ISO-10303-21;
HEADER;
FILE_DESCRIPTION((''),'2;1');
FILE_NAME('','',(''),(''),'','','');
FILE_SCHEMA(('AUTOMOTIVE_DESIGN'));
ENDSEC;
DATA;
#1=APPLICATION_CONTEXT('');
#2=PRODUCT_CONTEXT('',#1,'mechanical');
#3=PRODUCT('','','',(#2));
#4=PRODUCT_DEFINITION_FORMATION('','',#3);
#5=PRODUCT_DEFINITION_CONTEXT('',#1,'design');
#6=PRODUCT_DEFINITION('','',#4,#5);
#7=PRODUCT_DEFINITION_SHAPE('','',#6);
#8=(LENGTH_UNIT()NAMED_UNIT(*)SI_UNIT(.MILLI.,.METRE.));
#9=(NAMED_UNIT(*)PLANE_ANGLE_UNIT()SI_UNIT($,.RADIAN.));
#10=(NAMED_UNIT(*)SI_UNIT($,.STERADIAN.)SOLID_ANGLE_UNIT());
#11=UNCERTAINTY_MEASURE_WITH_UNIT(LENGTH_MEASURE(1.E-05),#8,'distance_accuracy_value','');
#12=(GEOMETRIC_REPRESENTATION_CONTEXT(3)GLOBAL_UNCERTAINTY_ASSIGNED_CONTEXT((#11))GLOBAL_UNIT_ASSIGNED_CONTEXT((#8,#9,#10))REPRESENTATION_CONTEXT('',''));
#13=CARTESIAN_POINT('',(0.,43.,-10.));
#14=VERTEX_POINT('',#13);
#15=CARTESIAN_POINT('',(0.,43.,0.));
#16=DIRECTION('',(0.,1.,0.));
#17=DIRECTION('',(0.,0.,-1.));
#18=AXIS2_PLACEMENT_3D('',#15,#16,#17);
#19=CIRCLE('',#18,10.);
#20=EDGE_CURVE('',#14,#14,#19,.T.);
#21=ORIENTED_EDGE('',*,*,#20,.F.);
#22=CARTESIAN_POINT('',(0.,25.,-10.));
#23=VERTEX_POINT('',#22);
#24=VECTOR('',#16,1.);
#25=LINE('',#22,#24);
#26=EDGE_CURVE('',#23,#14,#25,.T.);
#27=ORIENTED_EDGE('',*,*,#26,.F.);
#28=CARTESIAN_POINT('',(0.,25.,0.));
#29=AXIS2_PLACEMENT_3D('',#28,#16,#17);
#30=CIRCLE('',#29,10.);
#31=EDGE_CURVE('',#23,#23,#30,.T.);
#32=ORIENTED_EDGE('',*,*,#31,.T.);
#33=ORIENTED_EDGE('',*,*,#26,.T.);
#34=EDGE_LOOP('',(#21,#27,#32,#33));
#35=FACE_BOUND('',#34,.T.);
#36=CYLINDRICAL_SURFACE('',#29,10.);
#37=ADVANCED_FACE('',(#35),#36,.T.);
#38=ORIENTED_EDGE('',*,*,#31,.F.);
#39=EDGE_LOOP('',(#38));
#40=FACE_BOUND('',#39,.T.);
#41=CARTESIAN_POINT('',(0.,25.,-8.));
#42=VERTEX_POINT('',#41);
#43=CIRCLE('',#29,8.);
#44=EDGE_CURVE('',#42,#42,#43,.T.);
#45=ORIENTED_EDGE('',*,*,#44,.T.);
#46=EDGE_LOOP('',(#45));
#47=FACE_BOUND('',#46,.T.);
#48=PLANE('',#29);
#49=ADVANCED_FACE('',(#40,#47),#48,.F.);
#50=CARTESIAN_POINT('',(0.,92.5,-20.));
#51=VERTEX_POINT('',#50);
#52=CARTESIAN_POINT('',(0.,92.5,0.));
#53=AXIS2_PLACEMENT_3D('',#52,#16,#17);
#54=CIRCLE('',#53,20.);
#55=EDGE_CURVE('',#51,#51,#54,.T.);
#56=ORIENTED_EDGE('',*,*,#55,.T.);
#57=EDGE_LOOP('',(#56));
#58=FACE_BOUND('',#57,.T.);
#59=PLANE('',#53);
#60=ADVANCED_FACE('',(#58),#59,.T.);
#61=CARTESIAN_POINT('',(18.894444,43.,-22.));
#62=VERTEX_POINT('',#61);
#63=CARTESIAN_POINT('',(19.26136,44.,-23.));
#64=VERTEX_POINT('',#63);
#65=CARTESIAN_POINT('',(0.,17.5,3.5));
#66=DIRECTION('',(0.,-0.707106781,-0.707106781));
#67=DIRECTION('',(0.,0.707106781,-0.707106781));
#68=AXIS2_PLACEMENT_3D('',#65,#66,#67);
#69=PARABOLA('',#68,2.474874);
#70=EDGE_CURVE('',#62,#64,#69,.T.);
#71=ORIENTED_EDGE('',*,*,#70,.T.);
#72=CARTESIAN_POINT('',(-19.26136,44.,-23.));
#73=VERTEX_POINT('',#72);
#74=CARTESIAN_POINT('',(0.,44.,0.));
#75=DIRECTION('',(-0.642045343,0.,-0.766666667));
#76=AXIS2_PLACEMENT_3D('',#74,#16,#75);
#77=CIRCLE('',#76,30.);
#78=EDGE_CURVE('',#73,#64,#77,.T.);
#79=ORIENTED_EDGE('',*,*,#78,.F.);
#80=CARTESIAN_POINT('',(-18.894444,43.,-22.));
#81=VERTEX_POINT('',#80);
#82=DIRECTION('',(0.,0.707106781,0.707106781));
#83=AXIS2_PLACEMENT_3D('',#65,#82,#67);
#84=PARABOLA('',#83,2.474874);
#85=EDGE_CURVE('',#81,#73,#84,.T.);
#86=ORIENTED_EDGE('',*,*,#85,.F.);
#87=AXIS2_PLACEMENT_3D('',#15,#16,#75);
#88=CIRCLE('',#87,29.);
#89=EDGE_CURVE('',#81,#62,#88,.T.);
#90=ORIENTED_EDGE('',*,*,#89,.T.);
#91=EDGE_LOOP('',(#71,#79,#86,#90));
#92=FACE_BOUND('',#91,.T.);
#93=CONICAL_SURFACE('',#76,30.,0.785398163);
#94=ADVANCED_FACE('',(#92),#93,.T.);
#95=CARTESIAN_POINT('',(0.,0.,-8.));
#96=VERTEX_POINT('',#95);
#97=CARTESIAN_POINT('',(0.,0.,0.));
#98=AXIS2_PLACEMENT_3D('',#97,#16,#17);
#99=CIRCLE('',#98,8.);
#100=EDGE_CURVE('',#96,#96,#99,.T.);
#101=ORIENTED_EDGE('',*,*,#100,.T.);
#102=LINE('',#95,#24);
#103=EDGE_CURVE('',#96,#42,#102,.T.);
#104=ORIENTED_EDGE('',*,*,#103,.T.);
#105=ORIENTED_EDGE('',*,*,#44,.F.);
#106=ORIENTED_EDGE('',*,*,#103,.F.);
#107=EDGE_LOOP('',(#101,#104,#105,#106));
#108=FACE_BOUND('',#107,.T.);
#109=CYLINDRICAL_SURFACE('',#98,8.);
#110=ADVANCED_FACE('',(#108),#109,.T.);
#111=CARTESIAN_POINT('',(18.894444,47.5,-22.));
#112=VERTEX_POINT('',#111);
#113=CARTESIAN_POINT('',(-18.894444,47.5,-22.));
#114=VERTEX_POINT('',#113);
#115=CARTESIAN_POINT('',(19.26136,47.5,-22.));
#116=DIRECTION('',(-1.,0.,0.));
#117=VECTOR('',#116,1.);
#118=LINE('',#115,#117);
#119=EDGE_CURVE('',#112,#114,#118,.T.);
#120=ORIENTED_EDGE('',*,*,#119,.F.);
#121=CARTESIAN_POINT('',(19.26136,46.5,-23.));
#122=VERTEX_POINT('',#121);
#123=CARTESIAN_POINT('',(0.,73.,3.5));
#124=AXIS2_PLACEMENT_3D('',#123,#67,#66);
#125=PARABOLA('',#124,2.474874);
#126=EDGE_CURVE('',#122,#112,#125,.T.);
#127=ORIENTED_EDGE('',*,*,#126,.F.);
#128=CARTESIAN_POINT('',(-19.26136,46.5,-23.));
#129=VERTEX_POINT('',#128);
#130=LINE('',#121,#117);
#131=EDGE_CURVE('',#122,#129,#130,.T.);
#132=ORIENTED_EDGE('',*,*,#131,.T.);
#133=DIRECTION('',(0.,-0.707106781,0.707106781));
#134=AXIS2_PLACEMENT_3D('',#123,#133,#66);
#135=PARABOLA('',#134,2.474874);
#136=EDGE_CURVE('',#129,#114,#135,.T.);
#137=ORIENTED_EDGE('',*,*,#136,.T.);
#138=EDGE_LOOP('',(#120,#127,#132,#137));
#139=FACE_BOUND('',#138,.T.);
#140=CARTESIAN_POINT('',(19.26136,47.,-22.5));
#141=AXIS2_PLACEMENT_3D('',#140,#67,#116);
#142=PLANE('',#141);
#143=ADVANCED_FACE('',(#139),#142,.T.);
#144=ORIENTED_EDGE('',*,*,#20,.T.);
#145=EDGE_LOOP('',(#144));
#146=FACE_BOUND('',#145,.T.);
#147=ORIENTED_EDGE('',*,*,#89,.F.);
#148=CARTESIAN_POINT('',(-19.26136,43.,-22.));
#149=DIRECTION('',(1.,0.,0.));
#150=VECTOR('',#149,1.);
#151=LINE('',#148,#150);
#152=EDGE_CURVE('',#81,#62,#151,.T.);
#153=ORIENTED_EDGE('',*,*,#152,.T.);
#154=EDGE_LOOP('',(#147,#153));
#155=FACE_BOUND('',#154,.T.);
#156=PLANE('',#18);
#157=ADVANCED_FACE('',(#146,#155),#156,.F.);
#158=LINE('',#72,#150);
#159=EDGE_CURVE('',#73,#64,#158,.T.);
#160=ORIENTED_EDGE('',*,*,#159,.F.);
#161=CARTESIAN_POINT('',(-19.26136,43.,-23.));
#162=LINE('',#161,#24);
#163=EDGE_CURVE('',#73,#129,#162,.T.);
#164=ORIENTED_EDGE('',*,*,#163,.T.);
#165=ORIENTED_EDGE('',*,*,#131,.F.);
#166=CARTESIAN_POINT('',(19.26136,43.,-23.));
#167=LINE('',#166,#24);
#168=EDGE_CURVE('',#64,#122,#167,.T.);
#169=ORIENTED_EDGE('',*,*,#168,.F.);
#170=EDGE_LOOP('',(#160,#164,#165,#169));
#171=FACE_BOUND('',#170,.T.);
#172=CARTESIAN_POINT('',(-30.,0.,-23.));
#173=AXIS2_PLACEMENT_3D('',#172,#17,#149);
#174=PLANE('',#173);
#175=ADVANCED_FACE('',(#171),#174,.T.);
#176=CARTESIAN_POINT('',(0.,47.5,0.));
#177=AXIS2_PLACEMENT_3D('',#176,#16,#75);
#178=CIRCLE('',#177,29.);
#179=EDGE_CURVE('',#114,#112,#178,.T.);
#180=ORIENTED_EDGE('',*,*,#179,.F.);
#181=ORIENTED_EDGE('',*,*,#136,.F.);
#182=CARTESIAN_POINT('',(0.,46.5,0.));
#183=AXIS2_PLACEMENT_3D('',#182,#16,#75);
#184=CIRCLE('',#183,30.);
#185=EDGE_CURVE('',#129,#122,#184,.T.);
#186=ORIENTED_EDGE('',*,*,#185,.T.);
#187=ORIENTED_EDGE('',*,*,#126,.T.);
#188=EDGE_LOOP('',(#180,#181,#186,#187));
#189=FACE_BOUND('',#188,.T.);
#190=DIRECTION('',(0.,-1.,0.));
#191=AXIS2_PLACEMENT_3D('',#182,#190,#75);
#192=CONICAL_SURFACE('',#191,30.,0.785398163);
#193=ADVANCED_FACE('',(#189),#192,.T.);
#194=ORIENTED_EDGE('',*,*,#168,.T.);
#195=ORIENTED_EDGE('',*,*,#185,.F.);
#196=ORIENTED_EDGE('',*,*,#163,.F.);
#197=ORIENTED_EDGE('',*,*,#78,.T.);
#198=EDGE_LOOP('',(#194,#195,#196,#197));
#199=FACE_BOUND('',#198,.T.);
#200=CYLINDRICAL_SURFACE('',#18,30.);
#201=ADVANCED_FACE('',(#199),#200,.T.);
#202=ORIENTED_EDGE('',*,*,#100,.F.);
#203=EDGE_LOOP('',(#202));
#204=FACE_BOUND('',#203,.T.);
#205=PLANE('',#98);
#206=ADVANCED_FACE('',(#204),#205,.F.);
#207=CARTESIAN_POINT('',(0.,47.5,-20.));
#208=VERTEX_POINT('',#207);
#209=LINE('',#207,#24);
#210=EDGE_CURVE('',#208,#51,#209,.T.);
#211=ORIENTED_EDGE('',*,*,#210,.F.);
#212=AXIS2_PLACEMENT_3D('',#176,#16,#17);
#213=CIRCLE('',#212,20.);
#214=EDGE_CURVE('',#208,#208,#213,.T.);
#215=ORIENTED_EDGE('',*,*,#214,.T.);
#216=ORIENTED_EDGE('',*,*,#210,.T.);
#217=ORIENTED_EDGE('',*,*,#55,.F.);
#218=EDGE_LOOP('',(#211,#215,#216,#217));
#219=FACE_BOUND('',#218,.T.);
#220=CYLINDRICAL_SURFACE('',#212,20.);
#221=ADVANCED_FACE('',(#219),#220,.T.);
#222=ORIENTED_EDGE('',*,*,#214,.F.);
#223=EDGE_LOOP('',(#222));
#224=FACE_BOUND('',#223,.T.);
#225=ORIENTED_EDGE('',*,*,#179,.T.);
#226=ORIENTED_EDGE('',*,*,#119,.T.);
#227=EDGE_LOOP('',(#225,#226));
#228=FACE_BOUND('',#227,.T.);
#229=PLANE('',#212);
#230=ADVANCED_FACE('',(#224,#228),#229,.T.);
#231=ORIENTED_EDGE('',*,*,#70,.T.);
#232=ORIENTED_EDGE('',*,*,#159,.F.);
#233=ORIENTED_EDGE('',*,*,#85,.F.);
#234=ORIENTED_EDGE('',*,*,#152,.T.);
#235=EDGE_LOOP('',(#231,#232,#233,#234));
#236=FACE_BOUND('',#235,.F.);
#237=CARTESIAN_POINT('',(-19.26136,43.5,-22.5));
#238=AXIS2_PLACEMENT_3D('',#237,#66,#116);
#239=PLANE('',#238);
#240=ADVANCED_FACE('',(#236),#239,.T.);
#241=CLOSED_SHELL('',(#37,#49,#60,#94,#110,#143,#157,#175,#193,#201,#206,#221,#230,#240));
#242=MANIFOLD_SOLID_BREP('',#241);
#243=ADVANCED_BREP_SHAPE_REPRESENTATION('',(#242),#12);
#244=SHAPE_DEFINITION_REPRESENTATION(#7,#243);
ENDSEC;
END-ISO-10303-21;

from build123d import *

# Parameters (mm, degrees)
F2_W     = 60
F2_H     = 10
F3_DEPTH = 92.501
F4_SIZE  = 1


with BuildPart() as f1:
    # F0 (on Right) → F1 (revolve)
    with BuildSketch(Plane.YZ):
        Polygon((92.5, 0), (0, 0), (0, -8), (25, -8), (25, -10), (43, -10), (43, -30), (47.5, -30), (47.5, -20), (92.5, -20), align=None)
    revolve(axis=Axis((0, 37.79896, 0), (0, 1, 0)))

    # F2 (on Front) → F3 (cut, through all)
    with BuildSketch(Plane.XZ):
        with Locations((0, -28)):
            Rectangle(F2_W, F2_H)
    extrude(amount=-F3_DEPTH, mode=Mode.SUBTRACT)

    # F4
    f4_edges = [f1.edges().sort_by_distance(p)[0] for p in [
        (0, 47.5, 30),
        (0, 47.5, -23),
        (0, 43, 30),
        (0, 43, -23),
    ]]
    chamfer(f4_edges, length=F4_SIZE)


solid = f1.part
